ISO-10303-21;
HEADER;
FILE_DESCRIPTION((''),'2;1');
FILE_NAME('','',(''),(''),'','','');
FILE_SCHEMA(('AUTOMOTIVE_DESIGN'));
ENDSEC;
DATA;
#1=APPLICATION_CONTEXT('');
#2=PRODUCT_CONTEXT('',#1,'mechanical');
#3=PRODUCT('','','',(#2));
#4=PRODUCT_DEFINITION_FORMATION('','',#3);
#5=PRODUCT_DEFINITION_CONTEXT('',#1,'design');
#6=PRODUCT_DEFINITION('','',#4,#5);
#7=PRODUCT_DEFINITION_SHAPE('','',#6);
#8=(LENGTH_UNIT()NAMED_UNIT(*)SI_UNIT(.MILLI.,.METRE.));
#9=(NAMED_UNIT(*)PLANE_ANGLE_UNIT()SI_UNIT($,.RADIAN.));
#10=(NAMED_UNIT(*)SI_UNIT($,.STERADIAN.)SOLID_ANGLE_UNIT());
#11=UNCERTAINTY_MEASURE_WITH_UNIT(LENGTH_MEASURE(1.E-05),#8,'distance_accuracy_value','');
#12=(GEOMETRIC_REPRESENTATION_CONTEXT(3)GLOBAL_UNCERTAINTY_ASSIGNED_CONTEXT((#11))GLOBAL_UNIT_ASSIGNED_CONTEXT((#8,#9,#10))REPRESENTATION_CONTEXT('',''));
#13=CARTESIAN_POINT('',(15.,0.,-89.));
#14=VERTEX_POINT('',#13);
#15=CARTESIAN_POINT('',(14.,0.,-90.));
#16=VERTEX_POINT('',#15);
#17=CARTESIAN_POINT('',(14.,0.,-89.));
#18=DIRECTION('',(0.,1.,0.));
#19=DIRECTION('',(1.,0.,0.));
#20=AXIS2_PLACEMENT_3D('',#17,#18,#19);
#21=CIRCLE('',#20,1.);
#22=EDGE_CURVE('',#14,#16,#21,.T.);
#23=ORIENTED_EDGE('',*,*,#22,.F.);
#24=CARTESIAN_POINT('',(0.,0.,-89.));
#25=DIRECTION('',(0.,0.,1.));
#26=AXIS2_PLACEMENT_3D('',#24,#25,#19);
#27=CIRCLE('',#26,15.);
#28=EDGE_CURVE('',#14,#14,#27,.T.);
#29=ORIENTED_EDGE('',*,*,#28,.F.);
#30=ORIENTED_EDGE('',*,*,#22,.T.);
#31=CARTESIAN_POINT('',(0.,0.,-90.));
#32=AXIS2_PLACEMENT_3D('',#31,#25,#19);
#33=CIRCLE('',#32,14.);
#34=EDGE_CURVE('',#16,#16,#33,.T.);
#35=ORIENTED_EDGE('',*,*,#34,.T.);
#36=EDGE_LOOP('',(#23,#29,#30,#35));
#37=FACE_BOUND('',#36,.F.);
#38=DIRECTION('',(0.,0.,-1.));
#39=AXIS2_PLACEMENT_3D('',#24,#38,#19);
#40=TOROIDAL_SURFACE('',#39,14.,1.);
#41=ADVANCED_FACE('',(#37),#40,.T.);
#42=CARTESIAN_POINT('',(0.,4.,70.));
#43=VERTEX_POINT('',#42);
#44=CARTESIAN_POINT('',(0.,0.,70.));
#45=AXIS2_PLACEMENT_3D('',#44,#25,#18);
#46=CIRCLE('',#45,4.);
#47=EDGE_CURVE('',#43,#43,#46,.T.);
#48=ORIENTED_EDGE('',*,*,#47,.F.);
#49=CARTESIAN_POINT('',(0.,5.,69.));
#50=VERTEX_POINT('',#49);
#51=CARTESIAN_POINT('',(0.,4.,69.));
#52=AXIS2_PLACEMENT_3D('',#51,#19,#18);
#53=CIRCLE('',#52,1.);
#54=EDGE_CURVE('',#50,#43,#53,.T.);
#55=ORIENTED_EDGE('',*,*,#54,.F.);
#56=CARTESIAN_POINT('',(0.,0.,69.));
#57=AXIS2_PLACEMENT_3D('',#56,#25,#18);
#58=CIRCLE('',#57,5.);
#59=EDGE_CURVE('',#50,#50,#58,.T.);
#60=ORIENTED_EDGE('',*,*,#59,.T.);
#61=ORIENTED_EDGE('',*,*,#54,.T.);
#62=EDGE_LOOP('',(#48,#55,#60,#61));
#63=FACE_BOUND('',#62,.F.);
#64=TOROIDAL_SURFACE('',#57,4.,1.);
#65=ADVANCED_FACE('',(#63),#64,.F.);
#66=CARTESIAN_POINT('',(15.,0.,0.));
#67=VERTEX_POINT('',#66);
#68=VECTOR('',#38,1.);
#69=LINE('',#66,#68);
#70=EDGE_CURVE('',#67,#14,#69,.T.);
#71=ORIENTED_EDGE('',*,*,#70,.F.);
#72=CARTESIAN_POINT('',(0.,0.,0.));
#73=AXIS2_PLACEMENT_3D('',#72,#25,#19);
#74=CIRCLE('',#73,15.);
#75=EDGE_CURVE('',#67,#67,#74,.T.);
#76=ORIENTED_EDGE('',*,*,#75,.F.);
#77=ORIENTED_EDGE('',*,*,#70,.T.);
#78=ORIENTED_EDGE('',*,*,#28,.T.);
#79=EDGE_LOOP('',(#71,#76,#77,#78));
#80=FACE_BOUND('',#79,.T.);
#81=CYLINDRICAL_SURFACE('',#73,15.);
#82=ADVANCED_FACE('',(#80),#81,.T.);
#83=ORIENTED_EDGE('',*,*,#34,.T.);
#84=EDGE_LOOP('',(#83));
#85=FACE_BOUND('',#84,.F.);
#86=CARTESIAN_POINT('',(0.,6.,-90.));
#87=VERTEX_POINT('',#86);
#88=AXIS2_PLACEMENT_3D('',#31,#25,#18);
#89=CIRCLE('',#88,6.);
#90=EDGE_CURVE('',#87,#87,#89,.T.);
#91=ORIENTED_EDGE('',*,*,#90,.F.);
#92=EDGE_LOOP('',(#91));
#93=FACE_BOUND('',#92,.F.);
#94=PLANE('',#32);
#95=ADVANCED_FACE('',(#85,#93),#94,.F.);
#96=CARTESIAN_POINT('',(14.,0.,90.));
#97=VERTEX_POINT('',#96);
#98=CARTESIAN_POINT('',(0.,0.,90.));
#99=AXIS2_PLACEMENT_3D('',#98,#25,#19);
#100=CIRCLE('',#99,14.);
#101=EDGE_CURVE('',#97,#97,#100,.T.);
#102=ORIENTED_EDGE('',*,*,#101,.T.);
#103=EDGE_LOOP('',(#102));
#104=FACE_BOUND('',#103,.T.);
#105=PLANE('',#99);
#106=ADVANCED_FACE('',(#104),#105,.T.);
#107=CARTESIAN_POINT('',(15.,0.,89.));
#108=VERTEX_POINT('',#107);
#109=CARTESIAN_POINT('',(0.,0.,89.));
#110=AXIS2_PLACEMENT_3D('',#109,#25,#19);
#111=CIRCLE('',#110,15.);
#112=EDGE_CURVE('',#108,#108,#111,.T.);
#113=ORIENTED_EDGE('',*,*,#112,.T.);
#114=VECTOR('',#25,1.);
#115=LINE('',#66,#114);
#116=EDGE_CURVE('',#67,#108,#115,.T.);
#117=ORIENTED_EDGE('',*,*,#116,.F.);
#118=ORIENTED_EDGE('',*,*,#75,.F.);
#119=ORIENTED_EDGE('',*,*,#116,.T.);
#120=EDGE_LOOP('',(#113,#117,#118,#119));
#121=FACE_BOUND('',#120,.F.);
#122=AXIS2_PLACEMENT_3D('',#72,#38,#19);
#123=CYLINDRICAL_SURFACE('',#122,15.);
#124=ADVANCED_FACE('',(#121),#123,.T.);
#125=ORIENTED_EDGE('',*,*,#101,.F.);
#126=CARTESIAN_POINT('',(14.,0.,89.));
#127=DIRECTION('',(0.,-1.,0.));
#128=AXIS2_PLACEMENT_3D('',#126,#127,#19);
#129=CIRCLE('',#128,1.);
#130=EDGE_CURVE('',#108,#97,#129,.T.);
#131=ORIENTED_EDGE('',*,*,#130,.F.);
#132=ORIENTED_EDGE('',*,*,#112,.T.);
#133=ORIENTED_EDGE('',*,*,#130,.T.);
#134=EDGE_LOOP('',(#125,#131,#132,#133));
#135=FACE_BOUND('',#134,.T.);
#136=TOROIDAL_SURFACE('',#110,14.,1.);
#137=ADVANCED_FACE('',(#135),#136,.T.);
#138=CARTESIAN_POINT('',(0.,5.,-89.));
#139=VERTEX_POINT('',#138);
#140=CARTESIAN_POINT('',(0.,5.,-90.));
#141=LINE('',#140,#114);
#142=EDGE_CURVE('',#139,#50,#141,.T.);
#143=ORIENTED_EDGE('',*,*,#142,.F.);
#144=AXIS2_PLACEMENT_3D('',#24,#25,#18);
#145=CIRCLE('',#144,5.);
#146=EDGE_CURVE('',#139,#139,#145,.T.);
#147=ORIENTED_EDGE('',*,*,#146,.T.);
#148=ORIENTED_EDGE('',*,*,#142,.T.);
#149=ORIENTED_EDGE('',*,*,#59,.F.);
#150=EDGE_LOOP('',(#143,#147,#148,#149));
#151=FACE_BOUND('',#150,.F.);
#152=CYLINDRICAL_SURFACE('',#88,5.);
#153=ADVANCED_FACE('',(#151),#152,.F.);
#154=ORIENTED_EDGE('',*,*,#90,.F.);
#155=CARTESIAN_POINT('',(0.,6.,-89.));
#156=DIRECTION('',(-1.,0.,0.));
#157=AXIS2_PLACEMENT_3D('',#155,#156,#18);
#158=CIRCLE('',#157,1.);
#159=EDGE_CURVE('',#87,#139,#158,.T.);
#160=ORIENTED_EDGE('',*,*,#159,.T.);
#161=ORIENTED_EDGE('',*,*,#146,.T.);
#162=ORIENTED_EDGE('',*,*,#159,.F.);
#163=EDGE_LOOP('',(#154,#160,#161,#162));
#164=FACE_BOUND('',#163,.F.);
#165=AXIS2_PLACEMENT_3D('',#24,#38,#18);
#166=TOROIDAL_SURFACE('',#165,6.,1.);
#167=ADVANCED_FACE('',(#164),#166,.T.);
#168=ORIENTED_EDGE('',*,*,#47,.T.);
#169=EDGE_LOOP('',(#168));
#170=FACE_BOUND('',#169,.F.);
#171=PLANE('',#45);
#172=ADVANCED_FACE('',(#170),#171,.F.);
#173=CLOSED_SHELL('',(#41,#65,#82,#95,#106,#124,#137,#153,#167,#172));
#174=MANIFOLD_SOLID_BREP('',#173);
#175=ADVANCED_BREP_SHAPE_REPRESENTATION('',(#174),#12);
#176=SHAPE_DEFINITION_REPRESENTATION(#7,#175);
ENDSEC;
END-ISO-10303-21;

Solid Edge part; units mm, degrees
sketch "Sketch1" plane through (0, 0, 0) normal (0, 0, 1) x (1, 0, 0)
  circle A0 centre (0, 0) radius 15
  dimension "D1" = 30
extrude "Protrusion1" add sketch "Sketch1" along normal mid plane 180
hole "Bohrung_1" at (0, 0, -90) direction (0, 0, 1) diameter 10 depth 160
fillet "Round1" radius 1 4 edges at (-15, 0, 90) (-15, 0, -90) (0, -5, -90) (0, -5, 70)
properties material "Grafit"
